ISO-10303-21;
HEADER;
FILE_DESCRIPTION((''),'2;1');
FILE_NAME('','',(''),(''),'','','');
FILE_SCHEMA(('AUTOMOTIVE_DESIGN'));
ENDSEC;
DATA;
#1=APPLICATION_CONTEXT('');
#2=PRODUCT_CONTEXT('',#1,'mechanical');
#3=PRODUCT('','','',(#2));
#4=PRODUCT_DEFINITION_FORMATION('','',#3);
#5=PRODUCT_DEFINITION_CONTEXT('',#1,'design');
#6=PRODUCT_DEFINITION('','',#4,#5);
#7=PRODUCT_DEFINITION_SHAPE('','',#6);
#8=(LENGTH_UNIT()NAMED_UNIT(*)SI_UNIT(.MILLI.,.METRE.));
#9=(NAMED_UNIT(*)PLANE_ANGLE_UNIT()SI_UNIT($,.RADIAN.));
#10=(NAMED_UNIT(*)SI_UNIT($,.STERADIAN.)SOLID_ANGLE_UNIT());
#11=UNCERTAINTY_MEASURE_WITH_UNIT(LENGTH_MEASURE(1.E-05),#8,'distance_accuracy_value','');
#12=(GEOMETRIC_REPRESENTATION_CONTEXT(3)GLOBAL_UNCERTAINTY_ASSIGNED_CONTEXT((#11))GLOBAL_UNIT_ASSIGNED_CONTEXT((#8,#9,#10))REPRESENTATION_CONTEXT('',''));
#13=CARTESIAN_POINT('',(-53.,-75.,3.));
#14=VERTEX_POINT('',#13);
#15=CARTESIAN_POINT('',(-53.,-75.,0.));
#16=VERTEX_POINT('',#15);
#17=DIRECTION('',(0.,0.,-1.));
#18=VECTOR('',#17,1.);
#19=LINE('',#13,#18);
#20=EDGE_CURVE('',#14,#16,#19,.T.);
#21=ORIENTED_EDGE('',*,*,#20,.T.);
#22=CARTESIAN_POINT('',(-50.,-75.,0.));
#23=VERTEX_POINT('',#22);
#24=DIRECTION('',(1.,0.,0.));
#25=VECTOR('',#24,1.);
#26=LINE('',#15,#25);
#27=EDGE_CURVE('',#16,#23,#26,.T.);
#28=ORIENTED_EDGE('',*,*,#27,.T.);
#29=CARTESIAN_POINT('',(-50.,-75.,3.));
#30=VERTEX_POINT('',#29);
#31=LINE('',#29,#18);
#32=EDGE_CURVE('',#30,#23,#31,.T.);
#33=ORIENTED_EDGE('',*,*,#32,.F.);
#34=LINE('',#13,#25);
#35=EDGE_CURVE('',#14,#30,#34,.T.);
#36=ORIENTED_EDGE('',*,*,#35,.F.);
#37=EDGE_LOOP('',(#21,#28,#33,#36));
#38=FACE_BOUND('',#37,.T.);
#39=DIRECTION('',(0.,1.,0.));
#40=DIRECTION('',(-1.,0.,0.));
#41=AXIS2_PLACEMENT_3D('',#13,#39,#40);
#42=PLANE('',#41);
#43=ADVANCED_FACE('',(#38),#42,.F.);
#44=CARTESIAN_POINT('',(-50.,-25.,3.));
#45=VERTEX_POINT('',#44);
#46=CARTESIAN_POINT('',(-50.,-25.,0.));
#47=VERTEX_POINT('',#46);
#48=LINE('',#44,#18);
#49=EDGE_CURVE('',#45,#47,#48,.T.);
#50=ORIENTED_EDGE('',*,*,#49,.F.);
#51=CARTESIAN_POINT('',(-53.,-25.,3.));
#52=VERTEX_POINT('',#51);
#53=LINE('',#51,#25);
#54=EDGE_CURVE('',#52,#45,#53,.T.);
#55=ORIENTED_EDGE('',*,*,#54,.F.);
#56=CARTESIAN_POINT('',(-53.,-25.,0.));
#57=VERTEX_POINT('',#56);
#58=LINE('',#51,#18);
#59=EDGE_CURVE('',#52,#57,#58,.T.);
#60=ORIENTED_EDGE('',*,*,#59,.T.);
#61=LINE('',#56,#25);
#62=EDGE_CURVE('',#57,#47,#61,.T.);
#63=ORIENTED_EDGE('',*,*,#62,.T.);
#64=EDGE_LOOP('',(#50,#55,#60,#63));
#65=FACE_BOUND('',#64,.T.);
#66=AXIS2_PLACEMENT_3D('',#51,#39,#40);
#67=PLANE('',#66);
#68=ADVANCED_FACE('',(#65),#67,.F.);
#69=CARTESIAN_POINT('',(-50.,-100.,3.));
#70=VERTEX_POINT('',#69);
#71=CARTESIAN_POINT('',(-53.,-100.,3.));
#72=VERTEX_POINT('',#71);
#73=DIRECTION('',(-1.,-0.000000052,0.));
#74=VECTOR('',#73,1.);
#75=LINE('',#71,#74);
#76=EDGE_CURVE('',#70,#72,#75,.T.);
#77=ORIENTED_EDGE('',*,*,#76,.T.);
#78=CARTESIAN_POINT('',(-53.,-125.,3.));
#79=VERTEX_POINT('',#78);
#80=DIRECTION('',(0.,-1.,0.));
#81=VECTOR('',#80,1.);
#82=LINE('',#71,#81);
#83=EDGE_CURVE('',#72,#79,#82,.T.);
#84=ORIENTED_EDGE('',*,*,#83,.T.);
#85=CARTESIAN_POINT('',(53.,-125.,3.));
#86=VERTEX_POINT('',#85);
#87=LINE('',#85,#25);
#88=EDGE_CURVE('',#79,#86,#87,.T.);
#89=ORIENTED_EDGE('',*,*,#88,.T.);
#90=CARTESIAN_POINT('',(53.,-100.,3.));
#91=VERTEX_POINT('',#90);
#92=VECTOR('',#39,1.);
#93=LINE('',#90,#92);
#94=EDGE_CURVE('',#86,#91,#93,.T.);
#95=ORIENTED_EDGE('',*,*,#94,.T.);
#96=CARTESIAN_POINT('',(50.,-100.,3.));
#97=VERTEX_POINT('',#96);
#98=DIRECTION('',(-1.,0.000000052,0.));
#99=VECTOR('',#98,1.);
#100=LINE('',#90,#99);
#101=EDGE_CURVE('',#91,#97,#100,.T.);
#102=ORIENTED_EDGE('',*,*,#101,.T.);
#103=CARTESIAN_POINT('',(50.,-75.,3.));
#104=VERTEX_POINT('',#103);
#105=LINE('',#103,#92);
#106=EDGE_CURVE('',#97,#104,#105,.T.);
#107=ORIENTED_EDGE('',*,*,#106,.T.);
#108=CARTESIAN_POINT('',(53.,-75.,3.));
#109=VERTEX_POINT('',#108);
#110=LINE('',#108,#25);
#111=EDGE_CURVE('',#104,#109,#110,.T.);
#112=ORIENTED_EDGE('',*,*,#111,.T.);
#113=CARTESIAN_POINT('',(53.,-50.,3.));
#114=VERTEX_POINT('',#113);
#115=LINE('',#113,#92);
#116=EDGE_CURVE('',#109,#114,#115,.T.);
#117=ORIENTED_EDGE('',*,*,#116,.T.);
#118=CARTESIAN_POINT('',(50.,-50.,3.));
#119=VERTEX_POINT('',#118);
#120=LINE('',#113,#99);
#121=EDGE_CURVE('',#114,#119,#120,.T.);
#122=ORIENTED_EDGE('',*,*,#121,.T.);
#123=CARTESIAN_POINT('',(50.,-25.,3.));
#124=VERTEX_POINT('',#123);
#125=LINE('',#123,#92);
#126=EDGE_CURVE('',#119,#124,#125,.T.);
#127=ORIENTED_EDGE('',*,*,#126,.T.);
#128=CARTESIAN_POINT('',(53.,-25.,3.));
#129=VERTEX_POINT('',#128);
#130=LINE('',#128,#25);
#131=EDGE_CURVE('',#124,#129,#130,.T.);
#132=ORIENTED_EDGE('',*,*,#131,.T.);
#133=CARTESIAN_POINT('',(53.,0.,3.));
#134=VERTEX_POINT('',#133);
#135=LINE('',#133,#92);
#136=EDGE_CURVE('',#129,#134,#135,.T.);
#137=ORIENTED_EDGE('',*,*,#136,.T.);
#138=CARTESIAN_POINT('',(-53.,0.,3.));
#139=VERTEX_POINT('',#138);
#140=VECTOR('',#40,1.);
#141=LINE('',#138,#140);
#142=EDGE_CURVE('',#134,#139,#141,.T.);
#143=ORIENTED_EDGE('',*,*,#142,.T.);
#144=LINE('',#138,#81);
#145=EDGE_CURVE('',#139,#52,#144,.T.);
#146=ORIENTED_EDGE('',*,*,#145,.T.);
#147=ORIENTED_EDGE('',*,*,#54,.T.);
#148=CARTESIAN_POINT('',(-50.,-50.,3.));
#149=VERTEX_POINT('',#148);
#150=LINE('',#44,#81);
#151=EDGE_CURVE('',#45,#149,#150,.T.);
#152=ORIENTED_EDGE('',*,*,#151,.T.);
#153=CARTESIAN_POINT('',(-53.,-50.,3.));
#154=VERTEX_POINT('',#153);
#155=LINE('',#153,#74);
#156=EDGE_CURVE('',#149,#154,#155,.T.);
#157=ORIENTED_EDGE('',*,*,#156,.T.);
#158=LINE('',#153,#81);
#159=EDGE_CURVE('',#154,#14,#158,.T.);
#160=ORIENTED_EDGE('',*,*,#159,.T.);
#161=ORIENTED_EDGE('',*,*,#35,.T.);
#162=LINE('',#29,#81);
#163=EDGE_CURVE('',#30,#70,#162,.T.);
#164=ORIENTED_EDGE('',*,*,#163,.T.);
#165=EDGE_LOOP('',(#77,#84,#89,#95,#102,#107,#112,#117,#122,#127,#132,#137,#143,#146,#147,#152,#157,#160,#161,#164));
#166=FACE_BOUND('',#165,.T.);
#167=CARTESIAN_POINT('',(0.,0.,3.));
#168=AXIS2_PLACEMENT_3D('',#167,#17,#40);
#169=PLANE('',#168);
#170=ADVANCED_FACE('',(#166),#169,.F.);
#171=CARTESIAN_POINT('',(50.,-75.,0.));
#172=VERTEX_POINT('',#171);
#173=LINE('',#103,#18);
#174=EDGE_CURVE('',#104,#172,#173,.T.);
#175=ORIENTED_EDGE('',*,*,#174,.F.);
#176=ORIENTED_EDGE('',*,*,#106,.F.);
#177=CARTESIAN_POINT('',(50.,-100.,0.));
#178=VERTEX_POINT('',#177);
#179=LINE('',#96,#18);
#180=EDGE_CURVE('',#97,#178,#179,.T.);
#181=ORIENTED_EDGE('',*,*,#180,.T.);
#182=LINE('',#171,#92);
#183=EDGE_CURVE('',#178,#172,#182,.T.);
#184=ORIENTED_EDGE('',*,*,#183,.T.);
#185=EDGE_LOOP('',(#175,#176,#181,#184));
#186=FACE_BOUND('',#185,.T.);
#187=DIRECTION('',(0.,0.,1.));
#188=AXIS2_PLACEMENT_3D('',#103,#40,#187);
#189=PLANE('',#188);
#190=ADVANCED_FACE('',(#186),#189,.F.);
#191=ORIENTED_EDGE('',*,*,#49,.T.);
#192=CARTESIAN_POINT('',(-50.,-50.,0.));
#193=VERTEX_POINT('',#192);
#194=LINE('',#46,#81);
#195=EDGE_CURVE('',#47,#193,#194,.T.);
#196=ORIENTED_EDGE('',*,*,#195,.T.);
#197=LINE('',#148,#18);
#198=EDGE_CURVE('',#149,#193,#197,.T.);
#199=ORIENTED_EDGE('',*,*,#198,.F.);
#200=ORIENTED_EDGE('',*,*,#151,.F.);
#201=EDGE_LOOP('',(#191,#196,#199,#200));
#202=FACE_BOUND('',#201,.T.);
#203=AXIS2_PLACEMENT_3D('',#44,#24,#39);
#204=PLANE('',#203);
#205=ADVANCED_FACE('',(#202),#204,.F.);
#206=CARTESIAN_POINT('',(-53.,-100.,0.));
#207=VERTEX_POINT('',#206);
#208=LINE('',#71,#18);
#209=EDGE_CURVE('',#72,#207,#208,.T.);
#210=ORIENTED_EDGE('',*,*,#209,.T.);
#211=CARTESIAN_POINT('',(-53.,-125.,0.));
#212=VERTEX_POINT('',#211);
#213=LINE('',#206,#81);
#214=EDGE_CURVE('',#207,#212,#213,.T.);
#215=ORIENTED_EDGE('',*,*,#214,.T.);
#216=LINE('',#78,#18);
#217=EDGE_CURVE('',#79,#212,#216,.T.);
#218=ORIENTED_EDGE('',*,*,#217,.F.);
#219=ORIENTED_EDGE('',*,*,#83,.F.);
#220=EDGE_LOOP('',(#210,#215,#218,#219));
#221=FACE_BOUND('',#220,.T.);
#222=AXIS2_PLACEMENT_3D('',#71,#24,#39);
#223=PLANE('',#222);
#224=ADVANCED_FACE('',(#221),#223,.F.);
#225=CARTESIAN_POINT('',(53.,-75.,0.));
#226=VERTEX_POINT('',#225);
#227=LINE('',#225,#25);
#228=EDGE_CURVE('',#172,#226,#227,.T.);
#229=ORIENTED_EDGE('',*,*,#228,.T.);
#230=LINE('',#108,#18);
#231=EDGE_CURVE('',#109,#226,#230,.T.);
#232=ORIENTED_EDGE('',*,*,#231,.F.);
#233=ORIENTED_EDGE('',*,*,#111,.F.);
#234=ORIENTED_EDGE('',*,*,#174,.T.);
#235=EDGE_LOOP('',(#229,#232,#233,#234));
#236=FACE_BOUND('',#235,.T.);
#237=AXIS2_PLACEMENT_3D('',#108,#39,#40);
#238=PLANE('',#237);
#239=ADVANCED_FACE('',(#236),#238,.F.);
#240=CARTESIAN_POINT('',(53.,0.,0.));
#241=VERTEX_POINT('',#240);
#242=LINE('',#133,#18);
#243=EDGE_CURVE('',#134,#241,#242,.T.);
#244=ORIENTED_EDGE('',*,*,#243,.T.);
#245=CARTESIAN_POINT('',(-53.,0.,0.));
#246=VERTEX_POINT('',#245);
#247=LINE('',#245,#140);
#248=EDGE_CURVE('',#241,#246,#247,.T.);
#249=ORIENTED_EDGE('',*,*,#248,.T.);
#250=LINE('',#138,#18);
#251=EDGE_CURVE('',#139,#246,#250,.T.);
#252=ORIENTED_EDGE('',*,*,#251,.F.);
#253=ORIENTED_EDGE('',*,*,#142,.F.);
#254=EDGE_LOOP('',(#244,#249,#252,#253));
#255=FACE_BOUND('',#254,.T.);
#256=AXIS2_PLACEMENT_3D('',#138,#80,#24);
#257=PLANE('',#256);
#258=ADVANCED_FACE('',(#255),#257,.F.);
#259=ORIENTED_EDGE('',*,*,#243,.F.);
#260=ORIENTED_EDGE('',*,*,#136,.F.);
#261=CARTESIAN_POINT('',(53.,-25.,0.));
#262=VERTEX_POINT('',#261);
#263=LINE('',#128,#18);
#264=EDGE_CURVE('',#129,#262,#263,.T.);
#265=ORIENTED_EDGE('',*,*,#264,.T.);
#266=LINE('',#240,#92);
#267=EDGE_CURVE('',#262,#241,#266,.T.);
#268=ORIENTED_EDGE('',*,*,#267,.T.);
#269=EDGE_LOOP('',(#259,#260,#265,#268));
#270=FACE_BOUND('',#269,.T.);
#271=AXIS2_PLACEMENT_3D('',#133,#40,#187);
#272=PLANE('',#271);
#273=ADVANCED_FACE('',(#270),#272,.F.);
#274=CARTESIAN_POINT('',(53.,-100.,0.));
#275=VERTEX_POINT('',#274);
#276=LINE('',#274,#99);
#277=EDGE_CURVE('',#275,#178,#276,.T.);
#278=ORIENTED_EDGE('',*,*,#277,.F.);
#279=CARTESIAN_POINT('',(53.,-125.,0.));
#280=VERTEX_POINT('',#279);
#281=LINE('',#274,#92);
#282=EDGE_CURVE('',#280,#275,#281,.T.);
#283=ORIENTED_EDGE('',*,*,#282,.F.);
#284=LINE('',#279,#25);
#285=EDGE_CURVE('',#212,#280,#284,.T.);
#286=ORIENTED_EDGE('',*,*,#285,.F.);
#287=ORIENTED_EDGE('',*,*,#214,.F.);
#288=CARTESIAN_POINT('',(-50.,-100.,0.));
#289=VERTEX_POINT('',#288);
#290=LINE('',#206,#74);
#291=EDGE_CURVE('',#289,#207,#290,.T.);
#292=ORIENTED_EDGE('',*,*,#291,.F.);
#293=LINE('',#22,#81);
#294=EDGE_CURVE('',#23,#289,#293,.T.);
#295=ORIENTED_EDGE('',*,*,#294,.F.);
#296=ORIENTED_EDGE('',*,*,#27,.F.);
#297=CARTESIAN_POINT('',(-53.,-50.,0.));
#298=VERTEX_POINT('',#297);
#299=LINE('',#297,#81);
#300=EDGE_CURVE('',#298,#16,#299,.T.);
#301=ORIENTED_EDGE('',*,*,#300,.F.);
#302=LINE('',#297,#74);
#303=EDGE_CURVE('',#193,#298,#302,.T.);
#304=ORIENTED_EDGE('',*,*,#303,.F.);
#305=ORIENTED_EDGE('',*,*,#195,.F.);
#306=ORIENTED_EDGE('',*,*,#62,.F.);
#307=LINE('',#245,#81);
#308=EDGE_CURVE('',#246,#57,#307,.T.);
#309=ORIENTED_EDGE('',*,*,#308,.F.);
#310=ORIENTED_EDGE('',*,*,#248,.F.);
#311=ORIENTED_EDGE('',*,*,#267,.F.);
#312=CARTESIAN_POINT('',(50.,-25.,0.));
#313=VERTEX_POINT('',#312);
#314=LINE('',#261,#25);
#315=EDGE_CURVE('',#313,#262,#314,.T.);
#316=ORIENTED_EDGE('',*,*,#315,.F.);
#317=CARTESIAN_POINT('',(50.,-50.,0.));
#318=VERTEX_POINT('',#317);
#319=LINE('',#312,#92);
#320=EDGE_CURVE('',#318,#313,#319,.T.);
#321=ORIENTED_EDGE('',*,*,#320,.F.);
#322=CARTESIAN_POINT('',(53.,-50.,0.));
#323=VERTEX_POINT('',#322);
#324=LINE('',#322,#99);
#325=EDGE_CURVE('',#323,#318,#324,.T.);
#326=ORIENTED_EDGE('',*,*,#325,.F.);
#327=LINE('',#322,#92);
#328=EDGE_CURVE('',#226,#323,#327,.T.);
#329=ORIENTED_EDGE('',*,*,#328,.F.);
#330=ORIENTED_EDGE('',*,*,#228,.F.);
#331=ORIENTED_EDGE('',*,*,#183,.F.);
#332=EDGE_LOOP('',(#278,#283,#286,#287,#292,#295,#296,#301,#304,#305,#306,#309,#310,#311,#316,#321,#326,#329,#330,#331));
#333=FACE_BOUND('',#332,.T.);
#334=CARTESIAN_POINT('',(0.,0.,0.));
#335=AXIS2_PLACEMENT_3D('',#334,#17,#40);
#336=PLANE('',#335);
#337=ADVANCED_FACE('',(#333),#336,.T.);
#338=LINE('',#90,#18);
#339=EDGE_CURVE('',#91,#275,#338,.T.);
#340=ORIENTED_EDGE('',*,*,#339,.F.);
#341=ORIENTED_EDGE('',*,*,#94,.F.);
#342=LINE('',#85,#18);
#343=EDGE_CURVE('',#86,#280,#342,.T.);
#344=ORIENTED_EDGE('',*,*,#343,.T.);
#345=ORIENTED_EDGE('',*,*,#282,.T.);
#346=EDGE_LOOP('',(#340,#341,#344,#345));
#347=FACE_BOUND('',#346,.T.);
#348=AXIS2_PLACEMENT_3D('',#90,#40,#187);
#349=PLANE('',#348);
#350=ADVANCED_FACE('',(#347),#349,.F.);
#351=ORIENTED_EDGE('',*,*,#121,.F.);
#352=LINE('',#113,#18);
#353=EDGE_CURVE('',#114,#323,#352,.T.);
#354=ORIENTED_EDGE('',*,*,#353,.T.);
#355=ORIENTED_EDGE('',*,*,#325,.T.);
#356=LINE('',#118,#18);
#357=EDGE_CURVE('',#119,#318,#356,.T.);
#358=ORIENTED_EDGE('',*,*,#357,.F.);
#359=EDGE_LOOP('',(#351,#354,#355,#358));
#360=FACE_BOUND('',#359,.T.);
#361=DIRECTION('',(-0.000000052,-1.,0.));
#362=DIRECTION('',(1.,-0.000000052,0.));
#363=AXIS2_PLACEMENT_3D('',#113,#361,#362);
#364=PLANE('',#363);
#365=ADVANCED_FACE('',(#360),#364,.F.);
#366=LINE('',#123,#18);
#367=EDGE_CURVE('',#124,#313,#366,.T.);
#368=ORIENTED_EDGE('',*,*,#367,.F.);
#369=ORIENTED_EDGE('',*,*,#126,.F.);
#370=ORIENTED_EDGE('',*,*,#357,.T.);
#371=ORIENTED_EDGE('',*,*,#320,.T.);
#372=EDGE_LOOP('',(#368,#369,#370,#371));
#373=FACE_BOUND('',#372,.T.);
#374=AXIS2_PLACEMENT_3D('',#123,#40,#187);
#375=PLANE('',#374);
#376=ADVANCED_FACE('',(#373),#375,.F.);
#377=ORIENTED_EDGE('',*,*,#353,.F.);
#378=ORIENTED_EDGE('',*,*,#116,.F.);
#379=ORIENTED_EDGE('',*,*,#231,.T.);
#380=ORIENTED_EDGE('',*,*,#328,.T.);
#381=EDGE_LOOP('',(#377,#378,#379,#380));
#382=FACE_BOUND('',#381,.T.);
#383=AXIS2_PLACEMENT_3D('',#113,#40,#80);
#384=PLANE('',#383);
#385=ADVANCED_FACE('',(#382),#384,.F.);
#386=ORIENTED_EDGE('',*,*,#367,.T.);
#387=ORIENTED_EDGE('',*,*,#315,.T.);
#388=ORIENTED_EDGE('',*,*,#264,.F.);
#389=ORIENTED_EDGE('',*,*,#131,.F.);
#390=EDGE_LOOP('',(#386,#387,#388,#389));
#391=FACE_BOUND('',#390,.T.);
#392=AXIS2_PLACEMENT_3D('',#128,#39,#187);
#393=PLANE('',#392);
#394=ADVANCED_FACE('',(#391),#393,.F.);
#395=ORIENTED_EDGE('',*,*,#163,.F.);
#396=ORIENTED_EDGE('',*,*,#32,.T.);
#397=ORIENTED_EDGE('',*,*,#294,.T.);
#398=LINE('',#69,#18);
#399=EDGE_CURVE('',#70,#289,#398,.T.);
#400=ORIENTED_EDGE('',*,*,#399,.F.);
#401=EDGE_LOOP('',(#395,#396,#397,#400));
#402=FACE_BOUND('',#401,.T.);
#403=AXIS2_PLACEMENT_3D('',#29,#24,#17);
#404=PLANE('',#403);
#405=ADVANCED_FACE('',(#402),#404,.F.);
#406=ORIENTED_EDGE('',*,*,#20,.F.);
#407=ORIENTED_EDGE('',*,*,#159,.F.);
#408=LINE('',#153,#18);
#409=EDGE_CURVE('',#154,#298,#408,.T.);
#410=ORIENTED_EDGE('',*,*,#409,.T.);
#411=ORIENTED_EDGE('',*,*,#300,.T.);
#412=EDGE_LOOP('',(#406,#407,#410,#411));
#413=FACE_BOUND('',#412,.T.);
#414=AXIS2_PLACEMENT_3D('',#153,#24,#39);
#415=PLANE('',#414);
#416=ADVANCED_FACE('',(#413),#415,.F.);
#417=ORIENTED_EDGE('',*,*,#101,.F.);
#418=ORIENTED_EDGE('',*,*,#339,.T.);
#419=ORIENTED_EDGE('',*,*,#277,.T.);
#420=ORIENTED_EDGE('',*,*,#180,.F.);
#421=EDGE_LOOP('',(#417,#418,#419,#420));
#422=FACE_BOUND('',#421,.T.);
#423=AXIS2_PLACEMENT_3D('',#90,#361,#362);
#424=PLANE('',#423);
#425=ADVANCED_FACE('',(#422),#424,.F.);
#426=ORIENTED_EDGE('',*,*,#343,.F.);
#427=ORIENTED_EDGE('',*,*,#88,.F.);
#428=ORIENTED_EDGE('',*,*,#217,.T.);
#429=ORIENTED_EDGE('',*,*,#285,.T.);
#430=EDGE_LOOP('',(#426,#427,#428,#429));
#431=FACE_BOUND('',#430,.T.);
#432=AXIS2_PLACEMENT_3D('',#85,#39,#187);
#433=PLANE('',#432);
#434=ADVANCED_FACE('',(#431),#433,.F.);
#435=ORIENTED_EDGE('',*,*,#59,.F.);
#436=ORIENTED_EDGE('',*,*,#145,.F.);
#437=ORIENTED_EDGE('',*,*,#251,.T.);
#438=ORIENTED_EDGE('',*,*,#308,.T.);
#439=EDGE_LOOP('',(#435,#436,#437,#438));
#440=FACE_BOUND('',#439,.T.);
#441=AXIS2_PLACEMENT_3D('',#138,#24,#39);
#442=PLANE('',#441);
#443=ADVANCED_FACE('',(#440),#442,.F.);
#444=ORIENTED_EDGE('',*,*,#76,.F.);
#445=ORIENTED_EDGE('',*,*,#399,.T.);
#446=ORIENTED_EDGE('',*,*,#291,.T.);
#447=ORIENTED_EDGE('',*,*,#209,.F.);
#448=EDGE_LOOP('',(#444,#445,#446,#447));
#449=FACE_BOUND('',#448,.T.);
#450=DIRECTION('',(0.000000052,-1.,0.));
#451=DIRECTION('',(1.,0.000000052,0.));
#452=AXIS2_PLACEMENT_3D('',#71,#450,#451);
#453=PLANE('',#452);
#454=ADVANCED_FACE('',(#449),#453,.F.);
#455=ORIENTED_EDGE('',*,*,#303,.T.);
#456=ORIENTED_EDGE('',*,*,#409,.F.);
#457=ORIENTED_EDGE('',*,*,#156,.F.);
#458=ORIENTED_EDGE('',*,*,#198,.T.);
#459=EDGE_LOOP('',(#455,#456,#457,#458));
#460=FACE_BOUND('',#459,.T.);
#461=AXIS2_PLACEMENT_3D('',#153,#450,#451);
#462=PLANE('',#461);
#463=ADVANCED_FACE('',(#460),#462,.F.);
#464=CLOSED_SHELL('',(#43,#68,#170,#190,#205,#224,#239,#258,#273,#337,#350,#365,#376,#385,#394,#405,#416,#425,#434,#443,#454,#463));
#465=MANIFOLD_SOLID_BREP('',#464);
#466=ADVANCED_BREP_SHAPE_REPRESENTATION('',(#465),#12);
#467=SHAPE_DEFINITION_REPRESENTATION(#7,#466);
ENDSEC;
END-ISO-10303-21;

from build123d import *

# Parameters (mm, degrees)
SALIENTE_EXTRUIR1_DEPTH = 3


with BuildPart() as part:
    # Croquis1 → Saliente-Extruir1 (new body)
    with BuildSketch(Plane.XY):
        Polygon((-53, 0), (53, 0), (53, -25), (50, -25), (50, -50), (53, -50.000000156), (53, -75.000000156), (50, -75.000000156), (50, -100.000000156), (53, -100.000000312), (53, -125.000000312), (-53, -125.000000312), (-53, -100.000000312), (-50, -100.000000156), (-50, -75.000000156), (-53, -75.000000156), (-53, -50.000000156), (-50, -50), (-50, -25), (-53, -25), align=None)
    extrude(amount=SALIENTE_EXTRUIR1_DEPTH)


solid = part.part
